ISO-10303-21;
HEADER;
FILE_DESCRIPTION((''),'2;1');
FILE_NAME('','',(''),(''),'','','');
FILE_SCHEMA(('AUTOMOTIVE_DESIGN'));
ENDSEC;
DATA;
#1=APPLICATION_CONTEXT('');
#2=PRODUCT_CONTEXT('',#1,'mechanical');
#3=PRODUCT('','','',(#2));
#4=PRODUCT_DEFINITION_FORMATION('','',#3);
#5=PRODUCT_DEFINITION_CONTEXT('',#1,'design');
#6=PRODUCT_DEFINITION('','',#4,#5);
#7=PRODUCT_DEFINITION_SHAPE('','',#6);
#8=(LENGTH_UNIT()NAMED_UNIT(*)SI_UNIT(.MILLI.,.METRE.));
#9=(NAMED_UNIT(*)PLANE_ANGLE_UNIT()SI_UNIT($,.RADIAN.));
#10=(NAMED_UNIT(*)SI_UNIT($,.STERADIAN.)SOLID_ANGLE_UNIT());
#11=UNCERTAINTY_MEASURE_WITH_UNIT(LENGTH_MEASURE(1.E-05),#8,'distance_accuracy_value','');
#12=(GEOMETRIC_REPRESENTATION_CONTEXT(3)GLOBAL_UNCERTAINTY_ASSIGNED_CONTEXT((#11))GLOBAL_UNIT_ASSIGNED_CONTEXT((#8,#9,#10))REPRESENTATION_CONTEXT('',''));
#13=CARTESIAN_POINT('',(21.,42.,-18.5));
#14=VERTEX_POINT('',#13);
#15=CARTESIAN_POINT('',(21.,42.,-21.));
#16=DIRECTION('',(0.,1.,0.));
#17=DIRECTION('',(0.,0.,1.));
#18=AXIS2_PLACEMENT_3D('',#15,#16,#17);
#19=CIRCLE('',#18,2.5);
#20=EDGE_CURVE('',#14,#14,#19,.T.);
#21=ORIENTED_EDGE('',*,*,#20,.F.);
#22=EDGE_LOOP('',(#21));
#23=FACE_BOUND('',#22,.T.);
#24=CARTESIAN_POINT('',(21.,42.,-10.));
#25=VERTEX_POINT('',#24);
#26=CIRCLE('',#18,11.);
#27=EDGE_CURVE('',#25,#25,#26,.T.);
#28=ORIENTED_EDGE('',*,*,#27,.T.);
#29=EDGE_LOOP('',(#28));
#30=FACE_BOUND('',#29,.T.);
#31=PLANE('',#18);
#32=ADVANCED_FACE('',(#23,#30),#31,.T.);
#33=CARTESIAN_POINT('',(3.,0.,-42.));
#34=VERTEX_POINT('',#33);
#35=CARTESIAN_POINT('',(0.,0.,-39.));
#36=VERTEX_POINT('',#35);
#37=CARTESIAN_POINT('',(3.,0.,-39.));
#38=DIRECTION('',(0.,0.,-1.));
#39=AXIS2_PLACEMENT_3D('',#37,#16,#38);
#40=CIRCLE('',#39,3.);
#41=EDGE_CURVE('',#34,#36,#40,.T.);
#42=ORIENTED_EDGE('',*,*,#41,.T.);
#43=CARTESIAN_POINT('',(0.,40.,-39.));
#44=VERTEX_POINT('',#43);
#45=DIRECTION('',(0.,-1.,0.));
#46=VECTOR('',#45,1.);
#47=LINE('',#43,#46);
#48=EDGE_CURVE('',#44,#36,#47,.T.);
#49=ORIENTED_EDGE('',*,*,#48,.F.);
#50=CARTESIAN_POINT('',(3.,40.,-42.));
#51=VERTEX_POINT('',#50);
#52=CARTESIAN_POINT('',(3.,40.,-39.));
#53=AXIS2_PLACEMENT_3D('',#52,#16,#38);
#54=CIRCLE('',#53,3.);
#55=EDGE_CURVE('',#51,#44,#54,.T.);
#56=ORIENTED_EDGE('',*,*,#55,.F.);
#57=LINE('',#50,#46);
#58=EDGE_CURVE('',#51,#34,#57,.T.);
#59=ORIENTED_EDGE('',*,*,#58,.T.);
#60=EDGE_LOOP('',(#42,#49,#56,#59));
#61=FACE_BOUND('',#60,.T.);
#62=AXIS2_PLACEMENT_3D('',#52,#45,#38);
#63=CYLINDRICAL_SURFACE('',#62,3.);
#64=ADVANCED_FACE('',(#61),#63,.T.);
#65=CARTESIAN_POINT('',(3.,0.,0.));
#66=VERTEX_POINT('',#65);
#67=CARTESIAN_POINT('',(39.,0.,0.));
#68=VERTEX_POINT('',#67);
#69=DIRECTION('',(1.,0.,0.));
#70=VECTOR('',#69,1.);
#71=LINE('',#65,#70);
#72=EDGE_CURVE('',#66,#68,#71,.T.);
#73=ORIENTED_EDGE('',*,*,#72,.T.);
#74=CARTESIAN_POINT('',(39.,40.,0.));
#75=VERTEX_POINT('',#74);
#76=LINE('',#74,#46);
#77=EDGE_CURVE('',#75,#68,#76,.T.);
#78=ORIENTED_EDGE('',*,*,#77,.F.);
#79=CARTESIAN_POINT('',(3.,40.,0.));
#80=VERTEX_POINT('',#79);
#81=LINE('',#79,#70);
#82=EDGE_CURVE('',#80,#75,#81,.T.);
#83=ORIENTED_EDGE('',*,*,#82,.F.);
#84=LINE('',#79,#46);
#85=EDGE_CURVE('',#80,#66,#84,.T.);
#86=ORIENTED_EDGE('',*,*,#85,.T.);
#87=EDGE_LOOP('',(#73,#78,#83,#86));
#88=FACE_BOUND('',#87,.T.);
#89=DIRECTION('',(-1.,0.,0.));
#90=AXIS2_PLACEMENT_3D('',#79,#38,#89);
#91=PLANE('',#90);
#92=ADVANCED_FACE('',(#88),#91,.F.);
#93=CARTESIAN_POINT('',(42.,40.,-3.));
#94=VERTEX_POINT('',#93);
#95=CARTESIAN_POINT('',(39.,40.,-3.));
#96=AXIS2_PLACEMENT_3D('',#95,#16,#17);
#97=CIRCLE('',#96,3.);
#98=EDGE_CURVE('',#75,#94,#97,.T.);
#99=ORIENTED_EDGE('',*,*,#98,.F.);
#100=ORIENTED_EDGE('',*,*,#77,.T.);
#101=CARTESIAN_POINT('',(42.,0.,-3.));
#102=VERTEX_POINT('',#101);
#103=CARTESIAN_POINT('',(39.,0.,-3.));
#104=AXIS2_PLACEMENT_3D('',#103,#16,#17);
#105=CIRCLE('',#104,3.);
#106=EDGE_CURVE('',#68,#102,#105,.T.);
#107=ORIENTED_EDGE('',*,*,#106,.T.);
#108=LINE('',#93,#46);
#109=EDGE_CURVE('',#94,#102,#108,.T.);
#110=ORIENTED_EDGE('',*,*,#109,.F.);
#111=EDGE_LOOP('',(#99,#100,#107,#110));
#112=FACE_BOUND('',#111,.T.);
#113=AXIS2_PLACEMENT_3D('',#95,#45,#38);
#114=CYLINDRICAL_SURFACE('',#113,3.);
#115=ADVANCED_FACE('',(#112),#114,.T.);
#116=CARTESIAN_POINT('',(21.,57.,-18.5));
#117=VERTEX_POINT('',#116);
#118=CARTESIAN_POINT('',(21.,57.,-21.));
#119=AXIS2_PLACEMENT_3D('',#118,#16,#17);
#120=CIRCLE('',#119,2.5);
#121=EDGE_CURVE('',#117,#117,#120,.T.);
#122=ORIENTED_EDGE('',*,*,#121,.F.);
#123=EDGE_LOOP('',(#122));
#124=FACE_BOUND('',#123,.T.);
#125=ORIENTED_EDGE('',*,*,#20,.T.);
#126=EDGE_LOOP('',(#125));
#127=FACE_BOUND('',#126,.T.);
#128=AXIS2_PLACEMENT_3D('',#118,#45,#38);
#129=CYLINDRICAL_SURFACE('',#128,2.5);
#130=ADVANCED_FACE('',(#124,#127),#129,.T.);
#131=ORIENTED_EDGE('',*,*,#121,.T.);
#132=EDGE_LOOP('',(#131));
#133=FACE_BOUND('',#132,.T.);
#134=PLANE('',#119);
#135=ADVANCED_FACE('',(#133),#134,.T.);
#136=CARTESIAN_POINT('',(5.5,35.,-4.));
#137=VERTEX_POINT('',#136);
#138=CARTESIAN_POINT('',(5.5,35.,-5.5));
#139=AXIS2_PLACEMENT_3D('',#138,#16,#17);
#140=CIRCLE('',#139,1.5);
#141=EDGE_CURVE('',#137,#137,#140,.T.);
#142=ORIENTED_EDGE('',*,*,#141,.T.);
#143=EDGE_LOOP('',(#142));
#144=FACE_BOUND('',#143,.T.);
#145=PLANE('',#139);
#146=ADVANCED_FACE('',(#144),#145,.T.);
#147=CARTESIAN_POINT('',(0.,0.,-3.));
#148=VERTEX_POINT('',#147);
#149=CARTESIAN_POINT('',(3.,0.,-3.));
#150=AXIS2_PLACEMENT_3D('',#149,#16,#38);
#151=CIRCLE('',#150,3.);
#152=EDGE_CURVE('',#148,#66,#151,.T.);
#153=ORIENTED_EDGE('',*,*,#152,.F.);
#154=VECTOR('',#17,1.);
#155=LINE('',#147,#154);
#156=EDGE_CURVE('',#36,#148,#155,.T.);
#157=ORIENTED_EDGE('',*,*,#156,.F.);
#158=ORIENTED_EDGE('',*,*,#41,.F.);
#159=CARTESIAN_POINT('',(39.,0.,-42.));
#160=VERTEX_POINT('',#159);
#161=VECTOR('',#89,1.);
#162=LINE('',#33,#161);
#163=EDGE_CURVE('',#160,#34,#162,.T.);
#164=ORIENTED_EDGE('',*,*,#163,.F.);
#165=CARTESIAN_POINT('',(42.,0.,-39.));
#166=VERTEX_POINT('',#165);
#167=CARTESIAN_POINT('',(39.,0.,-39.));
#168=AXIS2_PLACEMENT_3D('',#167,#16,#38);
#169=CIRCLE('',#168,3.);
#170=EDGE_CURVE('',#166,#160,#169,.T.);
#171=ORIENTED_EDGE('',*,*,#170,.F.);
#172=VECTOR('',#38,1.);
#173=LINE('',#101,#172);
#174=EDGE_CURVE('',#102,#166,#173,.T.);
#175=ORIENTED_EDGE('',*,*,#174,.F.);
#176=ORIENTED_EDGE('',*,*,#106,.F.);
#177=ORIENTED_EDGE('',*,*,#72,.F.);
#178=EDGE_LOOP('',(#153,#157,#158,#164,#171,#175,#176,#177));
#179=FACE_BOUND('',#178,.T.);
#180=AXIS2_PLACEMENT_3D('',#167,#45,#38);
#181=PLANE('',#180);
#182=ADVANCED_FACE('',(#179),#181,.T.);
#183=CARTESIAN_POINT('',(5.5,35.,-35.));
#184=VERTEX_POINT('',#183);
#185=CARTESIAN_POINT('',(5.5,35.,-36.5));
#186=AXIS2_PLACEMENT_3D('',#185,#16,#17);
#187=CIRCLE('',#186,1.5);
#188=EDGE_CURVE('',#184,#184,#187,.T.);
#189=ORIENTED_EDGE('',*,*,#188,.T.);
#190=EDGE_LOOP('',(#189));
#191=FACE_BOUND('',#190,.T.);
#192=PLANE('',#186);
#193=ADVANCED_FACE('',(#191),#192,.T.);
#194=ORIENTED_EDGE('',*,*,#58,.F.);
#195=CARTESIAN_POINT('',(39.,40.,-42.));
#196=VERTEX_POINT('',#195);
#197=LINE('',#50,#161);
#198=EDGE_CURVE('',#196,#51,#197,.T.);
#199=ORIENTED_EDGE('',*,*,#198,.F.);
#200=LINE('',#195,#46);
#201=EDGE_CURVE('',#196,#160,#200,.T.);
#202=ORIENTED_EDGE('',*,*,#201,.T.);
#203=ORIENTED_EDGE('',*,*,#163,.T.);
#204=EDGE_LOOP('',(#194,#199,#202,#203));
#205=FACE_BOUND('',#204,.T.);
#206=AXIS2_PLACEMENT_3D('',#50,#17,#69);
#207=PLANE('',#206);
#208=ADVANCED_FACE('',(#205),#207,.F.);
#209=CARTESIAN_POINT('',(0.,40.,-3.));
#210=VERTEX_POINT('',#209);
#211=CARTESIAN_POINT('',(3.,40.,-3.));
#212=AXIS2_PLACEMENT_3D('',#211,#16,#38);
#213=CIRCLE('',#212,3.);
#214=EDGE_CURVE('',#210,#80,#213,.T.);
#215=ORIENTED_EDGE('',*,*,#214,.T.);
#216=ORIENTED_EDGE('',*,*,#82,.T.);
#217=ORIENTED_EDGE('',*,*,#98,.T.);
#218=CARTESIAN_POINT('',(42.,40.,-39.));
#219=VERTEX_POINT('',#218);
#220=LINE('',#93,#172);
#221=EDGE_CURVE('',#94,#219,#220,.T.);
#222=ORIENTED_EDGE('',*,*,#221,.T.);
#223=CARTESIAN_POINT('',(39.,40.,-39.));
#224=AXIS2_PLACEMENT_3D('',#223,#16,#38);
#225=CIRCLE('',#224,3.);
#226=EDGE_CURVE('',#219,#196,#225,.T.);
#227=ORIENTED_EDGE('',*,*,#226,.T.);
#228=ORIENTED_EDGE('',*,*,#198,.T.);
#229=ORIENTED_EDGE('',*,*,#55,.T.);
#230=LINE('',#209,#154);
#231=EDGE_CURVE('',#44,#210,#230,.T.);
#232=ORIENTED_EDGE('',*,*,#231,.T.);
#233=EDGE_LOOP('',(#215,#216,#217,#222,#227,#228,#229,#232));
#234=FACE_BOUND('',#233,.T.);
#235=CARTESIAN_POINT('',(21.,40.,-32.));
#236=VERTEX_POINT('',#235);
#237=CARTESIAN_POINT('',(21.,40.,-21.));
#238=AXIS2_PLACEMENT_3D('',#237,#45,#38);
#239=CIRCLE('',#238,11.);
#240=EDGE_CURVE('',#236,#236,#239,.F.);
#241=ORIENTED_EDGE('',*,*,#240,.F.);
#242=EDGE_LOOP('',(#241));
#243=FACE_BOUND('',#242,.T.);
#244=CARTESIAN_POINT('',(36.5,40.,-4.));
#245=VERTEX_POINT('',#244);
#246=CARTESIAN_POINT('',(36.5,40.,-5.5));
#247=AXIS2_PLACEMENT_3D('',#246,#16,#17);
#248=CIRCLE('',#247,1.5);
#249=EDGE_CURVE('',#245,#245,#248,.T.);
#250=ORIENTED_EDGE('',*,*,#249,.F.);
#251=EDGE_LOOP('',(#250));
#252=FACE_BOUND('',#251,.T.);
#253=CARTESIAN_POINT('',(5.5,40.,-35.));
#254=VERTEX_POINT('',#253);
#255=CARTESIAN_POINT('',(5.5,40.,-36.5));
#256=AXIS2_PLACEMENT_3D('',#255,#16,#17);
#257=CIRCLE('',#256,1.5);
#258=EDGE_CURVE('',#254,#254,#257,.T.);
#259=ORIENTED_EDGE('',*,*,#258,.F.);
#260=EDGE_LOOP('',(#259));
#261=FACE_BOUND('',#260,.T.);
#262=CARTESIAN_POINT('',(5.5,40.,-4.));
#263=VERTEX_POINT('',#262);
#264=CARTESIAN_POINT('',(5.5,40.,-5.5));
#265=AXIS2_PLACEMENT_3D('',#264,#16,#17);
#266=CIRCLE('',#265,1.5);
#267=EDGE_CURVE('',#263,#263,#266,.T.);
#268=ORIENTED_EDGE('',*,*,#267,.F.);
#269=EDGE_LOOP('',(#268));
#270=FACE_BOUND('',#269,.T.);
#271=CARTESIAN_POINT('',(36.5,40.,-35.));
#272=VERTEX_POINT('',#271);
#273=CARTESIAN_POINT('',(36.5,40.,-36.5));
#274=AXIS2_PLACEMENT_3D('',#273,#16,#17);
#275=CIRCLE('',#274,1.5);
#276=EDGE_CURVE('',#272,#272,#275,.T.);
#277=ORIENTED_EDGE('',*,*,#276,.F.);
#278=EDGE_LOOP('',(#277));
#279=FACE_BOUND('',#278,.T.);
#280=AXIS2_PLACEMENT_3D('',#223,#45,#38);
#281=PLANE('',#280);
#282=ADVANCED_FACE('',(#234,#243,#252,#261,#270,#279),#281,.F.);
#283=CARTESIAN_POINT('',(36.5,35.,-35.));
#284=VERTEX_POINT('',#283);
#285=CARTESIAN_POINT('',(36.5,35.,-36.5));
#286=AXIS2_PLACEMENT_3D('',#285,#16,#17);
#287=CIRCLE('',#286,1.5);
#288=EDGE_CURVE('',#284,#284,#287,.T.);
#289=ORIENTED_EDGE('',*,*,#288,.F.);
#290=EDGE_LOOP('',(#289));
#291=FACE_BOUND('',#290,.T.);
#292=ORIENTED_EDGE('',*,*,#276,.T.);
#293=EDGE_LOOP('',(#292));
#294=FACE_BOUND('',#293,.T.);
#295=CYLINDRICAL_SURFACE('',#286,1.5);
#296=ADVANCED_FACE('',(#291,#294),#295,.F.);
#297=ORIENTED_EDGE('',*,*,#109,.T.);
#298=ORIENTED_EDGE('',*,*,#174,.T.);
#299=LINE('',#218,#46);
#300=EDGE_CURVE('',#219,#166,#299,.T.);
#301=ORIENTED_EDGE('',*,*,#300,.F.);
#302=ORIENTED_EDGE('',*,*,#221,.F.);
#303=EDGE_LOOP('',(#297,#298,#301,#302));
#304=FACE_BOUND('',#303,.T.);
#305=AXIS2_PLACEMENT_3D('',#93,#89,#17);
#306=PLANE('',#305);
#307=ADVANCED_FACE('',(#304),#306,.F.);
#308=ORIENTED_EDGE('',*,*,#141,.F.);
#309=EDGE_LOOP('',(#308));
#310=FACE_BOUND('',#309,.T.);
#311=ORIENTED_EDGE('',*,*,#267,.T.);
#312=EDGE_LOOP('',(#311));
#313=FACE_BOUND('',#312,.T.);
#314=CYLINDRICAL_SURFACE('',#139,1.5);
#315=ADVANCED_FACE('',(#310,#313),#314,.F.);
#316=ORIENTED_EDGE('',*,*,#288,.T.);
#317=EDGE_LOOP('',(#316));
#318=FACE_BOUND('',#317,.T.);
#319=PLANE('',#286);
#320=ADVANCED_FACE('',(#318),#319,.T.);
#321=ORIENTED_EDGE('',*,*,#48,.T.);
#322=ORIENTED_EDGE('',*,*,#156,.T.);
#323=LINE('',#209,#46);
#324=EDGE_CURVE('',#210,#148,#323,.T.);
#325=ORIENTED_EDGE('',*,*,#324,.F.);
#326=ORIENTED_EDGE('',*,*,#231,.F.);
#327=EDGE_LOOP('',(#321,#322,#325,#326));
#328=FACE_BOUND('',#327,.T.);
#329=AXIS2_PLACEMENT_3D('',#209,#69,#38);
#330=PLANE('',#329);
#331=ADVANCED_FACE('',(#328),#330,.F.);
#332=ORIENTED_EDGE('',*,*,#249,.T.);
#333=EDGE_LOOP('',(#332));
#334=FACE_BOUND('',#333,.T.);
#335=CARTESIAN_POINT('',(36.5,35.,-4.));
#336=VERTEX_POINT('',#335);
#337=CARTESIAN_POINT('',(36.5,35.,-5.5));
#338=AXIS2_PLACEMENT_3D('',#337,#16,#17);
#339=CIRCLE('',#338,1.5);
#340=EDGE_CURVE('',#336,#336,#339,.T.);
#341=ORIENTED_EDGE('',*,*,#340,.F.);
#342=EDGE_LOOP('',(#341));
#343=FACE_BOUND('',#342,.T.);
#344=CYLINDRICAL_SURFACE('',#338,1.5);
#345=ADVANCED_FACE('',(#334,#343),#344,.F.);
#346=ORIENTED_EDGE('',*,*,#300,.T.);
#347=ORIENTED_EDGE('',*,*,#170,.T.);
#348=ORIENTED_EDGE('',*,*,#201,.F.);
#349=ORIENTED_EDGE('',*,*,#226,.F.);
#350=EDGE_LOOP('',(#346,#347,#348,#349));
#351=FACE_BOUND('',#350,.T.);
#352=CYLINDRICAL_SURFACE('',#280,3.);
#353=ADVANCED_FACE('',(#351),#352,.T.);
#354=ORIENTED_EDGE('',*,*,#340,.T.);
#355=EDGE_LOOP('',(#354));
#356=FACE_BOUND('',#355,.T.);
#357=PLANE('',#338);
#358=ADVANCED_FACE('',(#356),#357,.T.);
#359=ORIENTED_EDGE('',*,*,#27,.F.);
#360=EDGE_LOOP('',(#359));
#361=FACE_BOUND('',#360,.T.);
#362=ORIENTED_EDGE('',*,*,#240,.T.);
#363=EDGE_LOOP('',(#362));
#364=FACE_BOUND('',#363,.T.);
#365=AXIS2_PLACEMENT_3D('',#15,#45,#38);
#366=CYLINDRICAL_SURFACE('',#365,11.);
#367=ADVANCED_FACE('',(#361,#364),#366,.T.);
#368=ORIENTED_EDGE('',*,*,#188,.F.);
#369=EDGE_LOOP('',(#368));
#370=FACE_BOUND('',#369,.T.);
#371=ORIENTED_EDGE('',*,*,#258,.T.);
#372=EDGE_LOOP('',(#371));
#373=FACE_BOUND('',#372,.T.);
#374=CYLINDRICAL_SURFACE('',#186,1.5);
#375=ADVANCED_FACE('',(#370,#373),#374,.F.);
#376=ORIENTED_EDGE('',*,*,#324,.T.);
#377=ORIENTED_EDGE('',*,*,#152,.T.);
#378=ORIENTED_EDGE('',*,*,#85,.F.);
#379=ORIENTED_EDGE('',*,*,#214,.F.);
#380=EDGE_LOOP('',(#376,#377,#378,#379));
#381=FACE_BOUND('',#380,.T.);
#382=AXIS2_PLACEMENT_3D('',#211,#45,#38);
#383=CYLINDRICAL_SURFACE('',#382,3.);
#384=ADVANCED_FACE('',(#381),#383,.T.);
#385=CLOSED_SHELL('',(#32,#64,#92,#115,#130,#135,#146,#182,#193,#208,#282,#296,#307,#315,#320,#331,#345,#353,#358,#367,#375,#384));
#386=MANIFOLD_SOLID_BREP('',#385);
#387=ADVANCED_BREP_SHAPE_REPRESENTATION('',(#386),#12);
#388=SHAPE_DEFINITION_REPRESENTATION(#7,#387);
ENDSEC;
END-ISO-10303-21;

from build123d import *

# Parameters (mm, degrees)
BOSS_EXTRUDE1_DEPTH = 40
SKETCH2_R           = 11
BOSS_EXTRUDE2_DEPTH = 2
SKETCH3_R           = 2.5
BOSS_EXTRUDE3_DEPTH = 15
SKETCH4_R           = 1.5
CUT_EXTRUDE1_DEPTH  = 5


with BuildPart() as part:
    # Sketch1 → Boss-Extrude1 (new body)
    with BuildSketch(Plane(origin=(0, 0, 0), x_dir=(1, 0, 0), z_dir=(0, 1, 0))):
        with BuildLine():
            Line((3, 0), (39, 0))
            ThreePointArc((39, 0), (41.121320344, 0.878679656), (42, 3))
            Line((42, 3), (42, 39))
            ThreePointArc((42, 39), (41.121320344, 41.121320344), (39, 42))
            Line((39, 42), (3, 42))
            ThreePointArc((3, 42), (0.878679656, 41.121320344), (0, 39))
            Line((0, 39), (0, 3))
            ThreePointArc((0, 3), (0.878679656, 0.878679656), (3, 0))
        make_face()
    extrude(amount=BOSS_EXTRUDE1_DEPTH)

    # Sketch2 → Boss-Extrude2 (add)
    with BuildSketch(Plane(origin=(0, 40, 0), x_dir=(1, 0, 0), z_dir=(0, 1, 0))):
        with Locations((21, 21)):
            Circle(SKETCH2_R)
    extrude(amount=BOSS_EXTRUDE2_DEPTH)

    # Sketch3 → Boss-Extrude3 (add)
    with BuildSketch(Plane(origin=(0, 42, 0), x_dir=(1, 0, 0), z_dir=(0, 1, 0))):
        with Locations((21, 21)):
            Circle(SKETCH3_R)
    extrude(amount=BOSS_EXTRUDE3_DEPTH)

    # Sketch4 → Cut-Extrude1 (cut)
    with BuildSketch(Plane(origin=(0, 40, 0), x_dir=(1, 0, 0), z_dir=(0, 1, 0))):
        with Locations((5.5, 36.5)):
            Circle(SKETCH4_R)
        with Locations((36.5, 36.5)):
            Circle(SKETCH4_R)
        with Locations((36.5, 5.5)):
            Circle(SKETCH4_R)
        with Locations((5.5, 5.5)):
            Circle(SKETCH4_R)
    extrude(amount=-CUT_EXTRUDE1_DEPTH, mode=Mode.SUBTRACT)


solid = part.part
